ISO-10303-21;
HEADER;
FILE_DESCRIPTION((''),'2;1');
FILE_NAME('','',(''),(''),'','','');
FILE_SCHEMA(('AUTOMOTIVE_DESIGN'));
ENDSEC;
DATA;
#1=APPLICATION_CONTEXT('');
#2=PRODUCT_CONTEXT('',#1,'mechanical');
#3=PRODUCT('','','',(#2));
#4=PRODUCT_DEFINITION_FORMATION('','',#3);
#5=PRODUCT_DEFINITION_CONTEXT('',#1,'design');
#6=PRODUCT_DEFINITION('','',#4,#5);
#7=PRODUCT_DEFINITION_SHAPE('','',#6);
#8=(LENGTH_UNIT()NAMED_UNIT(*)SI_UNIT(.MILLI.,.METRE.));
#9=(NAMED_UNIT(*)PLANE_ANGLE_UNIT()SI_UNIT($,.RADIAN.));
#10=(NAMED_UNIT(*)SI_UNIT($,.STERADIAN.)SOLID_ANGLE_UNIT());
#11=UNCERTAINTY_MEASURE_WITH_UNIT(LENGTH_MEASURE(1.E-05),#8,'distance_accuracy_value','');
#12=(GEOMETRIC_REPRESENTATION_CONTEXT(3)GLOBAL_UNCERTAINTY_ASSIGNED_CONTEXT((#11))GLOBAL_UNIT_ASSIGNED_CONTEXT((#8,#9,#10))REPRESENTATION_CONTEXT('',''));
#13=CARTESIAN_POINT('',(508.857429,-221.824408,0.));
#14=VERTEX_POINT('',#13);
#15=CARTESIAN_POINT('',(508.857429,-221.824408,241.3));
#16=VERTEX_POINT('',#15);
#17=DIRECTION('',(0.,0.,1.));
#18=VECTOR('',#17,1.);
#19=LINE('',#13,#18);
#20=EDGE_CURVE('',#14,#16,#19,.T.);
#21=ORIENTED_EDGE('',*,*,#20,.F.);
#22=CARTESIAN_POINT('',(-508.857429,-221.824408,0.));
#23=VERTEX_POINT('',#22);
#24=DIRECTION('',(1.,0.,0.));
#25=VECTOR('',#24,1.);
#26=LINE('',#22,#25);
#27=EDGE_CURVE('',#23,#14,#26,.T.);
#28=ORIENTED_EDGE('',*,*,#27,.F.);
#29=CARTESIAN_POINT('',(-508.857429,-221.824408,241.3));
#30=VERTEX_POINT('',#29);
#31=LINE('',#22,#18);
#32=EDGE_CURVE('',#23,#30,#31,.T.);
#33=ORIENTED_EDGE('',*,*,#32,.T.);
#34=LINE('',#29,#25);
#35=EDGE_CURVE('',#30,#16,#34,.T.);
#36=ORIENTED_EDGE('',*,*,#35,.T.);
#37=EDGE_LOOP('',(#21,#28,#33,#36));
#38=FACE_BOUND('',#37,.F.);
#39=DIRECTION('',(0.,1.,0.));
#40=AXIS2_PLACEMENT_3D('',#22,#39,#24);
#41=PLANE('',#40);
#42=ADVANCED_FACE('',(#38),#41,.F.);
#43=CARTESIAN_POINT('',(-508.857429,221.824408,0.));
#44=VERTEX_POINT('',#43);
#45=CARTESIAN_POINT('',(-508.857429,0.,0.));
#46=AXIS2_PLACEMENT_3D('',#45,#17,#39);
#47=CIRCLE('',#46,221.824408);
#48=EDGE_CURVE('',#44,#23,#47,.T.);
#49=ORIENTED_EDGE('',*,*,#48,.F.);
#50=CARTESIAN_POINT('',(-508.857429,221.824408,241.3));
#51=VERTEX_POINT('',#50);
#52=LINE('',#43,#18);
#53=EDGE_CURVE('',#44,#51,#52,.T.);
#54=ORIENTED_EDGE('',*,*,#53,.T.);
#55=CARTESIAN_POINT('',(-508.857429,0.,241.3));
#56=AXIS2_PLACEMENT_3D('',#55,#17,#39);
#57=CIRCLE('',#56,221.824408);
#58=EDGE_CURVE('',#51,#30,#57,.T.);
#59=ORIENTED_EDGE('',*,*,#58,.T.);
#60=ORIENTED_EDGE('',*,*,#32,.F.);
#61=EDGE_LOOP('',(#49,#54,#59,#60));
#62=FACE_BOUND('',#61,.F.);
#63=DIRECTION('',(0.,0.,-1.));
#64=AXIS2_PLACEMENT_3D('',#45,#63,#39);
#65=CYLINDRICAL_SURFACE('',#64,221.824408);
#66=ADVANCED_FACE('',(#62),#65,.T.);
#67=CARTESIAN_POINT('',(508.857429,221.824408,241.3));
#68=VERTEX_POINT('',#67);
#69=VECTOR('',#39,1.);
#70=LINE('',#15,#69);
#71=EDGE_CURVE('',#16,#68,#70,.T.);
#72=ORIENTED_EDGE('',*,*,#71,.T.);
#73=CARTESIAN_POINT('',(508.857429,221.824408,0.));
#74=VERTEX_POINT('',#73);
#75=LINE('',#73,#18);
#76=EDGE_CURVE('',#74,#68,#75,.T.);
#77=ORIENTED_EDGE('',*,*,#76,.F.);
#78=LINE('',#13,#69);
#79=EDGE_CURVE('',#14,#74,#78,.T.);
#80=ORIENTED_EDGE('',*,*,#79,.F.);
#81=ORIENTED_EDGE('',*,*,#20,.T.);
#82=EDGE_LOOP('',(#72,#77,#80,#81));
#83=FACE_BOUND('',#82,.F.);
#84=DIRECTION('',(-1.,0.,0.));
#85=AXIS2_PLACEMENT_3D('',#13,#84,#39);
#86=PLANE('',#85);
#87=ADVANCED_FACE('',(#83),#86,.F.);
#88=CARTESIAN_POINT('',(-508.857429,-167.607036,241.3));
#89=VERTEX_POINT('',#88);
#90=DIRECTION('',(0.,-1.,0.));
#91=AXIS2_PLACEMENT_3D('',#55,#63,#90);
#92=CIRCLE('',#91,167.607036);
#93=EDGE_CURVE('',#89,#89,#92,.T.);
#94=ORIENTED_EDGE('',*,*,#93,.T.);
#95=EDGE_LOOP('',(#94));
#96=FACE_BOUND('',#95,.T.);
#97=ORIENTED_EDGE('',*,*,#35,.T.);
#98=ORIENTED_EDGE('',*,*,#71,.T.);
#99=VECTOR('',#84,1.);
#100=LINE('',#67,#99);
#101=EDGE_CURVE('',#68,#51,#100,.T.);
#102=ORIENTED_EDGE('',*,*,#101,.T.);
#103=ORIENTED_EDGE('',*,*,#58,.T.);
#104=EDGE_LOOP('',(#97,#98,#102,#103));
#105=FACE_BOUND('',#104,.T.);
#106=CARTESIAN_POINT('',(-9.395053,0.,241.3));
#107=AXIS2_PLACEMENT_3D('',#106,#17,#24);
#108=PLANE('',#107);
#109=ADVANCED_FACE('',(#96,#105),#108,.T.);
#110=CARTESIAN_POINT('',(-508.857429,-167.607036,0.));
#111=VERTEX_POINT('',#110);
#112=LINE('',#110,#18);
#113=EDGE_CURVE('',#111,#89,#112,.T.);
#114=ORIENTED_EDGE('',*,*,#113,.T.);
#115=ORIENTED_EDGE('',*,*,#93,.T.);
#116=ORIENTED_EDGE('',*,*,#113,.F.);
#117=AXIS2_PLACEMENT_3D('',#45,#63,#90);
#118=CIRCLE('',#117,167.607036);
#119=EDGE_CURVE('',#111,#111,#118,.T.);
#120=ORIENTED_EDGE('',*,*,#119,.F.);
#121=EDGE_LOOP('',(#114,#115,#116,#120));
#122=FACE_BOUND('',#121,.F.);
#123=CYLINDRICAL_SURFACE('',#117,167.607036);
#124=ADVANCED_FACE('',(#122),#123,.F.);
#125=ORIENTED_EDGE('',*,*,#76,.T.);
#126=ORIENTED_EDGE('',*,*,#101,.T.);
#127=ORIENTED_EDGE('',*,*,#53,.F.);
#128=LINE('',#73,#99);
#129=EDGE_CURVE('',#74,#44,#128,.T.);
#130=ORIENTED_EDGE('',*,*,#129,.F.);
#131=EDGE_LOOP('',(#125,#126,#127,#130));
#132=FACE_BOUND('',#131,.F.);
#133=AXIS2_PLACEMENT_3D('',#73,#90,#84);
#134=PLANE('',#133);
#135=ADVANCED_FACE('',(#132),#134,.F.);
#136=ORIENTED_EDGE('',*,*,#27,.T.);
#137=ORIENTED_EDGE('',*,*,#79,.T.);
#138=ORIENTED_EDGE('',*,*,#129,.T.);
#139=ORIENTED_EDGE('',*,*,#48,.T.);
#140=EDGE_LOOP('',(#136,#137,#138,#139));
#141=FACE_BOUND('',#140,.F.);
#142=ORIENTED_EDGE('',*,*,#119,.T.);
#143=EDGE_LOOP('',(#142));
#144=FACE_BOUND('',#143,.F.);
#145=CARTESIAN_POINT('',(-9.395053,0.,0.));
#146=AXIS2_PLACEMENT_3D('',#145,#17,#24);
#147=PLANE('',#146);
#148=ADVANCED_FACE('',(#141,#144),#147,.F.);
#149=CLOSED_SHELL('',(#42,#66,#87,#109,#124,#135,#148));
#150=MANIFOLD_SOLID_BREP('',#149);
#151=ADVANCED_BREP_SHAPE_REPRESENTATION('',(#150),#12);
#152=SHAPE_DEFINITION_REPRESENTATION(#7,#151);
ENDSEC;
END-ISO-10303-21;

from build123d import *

# Parameters (mm, degrees)
F1_DEPTH = 241.3


with BuildPart() as f1:
    # F0 (on Top) → F1 (new body)
    with BuildSketch(Plane.XY):
        with BuildLine():
            ThreePointArc((-287.03302145, 0), (-352.0038861968, -156.8535428307), (-508.8574290276, -221.8244075775))
            Line((-508.8574290276, -221.8244075775), (508.8574290276, -221.8244075775))
            Line((508.8574290276, -221.8244075775), (508.8574290276, 221.8244075775))
            Line((508.8574290276, 221.8244075775), (-508.8574290276, 221.8244075775))
            ThreePointArc((-508.8574290276, 221.8244075775), (-352.0038861968, 156.8535428307), (-287.03302145, 0))
        make_face()
        with BuildLine():
            ThreePointArc((-508.8574290276, 221.8244075775), (-730.6818366051, 0), (-508.8574290276, -221.8244075775))
            Line((-508.8574290276, -221.8244075775), (-508.8574290276, -167.6070357018))
            ThreePointArc((-508.8574290276, -167.6070357018), (-676.4644647293, 0), (-508.8574290276, 167.6070357018))
            Line((-508.8574290276, 167.6070357018), (-508.8574290276, 221.8244075775))
        make_face()
        with BuildLine():
            Line((-508.8574290276, -167.6070357018), (-508.8574290276, -221.8244075775))
            ThreePointArc((-508.8574290276, -221.8244075775), (-352.0038861968, -156.8535428307), (-287.03302145, 0))
            ThreePointArc((-287.03302145, 0), (-352.0038861968, 156.8535428307), (-508.8574290276, 221.8244075775))
            Line((-508.8574290276, 221.8244075775), (-508.8574290276, 167.6070357018))
            ThreePointArc((-508.8574290276, 167.6070357018), (-390.3413575083, 118.5160715193), (-341.2503933258, 0))
            ThreePointArc((-341.2503933258, 0), (-390.3413575083, -118.5160715193), (-508.8574290276, -167.6070357018))
        make_face()
    extrude(amount=F1_DEPTH)


solid = f1.part
